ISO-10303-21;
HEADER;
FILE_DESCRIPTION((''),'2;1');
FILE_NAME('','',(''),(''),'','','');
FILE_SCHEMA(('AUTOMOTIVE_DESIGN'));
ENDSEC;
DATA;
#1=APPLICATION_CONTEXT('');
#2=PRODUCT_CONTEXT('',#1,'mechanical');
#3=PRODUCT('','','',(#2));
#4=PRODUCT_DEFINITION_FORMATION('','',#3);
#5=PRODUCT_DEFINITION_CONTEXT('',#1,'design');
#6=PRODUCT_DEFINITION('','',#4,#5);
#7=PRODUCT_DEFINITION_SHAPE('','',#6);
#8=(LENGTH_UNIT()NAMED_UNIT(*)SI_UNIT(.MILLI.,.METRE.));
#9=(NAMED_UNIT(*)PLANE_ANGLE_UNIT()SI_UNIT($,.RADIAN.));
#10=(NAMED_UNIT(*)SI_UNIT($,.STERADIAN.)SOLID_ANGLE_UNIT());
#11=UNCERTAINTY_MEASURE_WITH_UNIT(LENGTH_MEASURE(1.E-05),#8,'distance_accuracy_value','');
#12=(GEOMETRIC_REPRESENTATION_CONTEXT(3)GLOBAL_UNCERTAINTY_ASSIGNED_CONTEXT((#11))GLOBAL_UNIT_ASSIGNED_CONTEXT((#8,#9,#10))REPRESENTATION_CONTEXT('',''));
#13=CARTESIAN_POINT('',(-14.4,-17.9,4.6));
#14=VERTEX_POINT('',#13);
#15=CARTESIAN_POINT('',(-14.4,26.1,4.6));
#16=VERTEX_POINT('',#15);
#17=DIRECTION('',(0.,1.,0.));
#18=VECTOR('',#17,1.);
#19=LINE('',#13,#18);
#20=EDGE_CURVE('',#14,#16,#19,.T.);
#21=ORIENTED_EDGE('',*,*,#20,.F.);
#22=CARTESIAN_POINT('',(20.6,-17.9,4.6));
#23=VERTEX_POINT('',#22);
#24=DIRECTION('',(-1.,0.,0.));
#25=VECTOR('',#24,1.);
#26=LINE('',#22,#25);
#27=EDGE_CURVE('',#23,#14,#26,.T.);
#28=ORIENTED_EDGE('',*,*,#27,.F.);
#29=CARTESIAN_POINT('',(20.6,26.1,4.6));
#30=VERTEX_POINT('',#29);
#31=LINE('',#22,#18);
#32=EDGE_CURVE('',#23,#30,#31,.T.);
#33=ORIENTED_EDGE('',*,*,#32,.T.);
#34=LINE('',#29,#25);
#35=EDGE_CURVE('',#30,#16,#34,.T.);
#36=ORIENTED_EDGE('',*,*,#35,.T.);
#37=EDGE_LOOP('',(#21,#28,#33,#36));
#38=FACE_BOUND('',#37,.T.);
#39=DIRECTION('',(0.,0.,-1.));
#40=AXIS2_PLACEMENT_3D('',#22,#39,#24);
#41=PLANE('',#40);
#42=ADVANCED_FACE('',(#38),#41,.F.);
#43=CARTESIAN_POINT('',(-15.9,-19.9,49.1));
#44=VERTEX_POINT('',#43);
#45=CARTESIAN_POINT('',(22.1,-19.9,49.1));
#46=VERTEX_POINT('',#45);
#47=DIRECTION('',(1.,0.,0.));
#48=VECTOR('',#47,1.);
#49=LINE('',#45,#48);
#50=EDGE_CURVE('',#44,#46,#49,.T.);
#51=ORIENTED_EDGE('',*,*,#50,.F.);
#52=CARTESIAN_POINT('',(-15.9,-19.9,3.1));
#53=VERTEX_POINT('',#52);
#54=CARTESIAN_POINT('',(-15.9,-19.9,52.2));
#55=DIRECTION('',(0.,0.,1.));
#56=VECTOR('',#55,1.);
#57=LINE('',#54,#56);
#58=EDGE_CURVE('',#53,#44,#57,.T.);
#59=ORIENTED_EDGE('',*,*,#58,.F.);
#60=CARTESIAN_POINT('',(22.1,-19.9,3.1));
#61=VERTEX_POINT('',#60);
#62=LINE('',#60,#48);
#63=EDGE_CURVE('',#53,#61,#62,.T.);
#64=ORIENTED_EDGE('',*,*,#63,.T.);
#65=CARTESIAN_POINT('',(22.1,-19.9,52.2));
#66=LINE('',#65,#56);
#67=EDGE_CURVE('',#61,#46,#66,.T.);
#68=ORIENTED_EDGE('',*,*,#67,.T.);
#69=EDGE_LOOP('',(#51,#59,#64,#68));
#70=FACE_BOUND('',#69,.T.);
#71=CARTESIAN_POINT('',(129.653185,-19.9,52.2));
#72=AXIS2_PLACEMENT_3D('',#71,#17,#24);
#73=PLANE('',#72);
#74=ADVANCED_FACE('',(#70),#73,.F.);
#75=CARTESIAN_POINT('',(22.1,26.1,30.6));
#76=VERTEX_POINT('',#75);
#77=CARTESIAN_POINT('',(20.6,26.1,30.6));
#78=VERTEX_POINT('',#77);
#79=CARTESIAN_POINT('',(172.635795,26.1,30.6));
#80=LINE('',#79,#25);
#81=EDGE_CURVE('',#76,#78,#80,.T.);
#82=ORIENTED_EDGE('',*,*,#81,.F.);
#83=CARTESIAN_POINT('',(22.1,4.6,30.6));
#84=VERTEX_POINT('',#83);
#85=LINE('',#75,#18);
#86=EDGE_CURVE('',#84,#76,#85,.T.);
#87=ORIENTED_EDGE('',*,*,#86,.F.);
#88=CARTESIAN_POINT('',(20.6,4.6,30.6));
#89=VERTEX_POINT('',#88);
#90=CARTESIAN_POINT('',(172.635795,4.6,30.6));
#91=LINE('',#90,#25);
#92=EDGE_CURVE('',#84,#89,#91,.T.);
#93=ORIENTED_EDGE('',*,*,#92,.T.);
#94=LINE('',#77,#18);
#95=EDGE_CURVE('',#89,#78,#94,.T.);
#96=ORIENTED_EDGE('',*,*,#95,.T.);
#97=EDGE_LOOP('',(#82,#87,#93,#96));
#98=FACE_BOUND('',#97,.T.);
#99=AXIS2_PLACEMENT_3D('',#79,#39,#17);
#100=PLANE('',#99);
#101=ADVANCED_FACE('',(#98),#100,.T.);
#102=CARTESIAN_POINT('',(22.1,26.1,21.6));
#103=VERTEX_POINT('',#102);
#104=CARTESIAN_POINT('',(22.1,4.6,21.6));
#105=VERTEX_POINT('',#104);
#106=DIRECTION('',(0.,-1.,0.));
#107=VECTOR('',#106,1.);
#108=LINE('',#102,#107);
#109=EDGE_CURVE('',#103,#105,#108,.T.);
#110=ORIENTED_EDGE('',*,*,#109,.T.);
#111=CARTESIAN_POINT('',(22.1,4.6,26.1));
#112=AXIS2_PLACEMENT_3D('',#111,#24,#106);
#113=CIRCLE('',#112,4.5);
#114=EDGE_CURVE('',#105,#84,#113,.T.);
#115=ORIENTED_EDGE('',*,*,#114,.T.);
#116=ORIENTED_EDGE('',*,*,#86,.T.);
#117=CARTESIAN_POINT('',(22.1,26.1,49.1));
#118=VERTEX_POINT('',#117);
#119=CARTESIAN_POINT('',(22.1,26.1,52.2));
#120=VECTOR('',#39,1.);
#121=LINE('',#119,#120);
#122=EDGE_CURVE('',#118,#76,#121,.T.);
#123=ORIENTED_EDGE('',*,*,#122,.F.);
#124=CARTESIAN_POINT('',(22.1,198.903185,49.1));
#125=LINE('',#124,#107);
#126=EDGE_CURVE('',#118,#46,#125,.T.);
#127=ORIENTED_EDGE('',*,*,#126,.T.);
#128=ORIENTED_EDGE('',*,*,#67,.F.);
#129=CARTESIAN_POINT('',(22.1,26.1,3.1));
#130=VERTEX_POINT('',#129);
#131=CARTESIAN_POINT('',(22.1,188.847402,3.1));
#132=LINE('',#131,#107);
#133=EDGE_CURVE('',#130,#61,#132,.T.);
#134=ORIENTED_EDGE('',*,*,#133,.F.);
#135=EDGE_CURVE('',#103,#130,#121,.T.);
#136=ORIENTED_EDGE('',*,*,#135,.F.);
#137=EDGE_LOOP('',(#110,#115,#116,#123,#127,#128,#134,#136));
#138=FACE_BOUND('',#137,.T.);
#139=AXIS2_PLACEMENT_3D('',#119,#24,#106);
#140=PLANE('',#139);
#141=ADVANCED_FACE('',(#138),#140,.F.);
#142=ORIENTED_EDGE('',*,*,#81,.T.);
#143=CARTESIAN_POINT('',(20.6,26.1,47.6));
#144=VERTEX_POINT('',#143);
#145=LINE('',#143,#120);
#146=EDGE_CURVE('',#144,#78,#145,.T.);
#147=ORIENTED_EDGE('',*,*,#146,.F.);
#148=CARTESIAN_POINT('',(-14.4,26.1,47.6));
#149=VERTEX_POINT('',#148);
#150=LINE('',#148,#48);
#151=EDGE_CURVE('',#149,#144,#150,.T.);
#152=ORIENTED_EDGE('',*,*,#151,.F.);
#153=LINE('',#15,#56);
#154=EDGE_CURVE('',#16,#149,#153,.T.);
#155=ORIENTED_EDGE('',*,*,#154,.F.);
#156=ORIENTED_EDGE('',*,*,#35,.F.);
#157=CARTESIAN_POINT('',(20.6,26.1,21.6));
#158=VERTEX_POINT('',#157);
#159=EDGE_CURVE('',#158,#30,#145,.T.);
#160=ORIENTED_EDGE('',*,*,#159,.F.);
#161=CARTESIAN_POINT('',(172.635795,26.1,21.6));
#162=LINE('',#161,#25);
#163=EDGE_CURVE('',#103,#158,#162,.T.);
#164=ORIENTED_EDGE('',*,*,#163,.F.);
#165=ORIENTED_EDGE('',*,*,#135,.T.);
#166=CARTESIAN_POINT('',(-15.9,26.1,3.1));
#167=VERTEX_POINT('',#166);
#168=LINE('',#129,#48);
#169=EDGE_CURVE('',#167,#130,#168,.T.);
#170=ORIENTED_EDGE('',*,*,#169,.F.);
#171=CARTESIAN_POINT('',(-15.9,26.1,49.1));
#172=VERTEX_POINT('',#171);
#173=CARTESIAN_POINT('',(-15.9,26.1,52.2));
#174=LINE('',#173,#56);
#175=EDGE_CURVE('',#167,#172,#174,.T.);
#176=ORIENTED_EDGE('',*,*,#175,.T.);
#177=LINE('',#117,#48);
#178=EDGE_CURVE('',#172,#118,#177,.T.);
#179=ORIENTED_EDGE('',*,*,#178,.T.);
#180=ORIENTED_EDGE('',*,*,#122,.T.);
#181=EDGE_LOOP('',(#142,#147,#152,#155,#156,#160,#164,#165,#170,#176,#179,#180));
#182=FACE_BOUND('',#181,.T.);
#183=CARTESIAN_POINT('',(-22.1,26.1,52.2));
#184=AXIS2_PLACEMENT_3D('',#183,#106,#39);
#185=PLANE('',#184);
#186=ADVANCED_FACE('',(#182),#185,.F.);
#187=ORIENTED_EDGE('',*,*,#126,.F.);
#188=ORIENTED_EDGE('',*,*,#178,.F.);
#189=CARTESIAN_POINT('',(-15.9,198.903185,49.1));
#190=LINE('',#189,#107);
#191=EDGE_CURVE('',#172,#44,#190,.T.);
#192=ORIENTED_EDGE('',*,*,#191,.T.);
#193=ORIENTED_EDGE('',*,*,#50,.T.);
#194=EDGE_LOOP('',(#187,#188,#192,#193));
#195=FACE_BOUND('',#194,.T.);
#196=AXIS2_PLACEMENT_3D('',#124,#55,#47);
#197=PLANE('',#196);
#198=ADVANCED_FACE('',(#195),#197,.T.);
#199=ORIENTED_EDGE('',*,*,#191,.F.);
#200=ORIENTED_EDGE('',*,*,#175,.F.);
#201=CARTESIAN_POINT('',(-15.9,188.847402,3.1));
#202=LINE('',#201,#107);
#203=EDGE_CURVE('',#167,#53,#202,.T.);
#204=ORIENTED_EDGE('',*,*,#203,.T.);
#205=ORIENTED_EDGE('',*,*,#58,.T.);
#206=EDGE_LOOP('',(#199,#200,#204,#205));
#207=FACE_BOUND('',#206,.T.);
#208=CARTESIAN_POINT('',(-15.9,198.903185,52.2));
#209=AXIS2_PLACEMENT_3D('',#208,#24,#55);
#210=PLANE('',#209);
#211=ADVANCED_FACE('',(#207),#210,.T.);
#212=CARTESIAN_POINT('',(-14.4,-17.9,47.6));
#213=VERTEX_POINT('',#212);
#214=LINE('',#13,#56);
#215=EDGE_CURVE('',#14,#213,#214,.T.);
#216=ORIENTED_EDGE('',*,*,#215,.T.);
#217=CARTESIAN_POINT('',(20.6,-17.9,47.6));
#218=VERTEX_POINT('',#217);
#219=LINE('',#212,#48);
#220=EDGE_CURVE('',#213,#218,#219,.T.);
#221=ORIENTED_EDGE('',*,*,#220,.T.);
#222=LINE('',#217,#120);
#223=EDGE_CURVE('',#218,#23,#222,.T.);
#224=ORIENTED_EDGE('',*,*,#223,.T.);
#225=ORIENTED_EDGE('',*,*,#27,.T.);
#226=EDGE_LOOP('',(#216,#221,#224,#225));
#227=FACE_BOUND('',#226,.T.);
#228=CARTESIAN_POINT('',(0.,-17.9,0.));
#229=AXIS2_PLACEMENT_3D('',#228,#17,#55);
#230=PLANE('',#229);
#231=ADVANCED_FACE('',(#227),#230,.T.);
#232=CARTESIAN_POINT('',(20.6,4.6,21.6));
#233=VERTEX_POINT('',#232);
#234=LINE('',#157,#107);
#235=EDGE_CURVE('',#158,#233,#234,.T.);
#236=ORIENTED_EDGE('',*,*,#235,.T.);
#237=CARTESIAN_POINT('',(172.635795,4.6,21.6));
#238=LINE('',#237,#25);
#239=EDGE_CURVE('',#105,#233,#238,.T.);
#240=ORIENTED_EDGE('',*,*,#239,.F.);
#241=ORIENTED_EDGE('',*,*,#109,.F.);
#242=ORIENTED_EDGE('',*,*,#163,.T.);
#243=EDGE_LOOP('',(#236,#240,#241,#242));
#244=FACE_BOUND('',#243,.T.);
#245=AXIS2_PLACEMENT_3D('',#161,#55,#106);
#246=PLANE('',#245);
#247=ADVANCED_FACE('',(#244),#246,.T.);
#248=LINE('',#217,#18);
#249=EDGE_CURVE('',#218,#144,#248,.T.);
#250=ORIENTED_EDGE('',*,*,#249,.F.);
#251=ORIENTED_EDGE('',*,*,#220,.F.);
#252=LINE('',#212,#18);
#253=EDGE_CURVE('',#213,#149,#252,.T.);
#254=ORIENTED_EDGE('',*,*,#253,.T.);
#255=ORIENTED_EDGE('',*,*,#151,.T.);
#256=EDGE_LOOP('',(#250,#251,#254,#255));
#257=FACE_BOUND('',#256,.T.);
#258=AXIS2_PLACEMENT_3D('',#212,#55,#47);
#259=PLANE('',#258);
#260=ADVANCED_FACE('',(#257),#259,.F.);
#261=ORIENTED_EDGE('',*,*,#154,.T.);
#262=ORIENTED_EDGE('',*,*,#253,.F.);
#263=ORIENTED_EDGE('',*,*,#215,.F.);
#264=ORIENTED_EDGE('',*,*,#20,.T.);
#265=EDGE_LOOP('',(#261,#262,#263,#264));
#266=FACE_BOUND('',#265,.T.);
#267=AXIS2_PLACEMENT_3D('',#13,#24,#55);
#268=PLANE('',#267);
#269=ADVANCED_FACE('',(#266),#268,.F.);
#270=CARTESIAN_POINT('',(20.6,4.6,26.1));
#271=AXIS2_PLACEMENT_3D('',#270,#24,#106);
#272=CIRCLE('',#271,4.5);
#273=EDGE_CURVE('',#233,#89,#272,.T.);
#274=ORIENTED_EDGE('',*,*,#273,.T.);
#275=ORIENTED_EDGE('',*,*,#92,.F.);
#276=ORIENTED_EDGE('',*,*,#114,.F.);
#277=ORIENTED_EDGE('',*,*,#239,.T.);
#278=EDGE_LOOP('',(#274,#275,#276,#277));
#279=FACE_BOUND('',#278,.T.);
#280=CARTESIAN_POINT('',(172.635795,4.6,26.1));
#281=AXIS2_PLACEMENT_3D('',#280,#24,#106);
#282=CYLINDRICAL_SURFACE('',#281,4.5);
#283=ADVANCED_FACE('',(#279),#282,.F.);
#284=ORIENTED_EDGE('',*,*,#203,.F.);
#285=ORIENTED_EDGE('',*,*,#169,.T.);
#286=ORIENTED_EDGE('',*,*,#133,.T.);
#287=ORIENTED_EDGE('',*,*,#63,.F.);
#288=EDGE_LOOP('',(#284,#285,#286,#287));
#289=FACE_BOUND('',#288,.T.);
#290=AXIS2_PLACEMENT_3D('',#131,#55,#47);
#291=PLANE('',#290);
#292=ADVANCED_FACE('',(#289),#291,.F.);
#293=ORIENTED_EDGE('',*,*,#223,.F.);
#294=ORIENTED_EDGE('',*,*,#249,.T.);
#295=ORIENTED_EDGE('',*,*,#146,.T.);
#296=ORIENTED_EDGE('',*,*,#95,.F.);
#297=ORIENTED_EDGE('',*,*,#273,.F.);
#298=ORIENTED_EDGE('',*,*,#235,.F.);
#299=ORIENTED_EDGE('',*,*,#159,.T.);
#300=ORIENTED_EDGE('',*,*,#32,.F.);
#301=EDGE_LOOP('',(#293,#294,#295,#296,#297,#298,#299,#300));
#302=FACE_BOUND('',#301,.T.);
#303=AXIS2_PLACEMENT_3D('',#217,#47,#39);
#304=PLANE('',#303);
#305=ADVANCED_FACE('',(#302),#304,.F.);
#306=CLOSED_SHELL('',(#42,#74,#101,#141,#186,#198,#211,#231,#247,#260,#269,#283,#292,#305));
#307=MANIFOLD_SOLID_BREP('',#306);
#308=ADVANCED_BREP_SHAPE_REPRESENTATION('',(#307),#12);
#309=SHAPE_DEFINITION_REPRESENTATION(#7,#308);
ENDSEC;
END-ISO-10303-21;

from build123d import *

# Parameters (mm, degrees)
ESQUISSE1_W                   = 44.2
ESQUISSE1_H                   = 52.2
BOSS_EXTRU_1_DEPTH            = 52.2
ENL_V_MAT_EXTRU_2_DEPTH       = 74.209903702
ENL_V_MAT_EXTRU_2_DEPTH_BACK  = 44.2
ENL_V_MAT_EXTRU_3_DEPTH       = 74.209903702
ENL_V_MAT_EXTRU_3_DEPTH_BACK  = 44.2
ENL_V_MAT_EXTRU_4_DEPTH       = 78.059003368
ENL_V_MAT_EXTRU_4_DEPTH_BACK  = 46
ENL_V_MAT_EXTRU_5_DEPTH       = 78.059003368
ENL_V_MAT_EXTRU_5_DEPTH_BACK  = 46
ENL_V_MAT_EXTRU_7_DEPTH       = 45.550224466
ENL_V_MAT_EXTRU_7_DEPTH_BACK  = 45.550224466
ENL_V_MAT_EXTRU_8_DEPTH       = 78.059003368
ENL_V_MAT_EXTRU_8_DEPTH_BACK  = 46
ENL_V_MAT_EXTRU_9_DEPTH       = 75.993733072
ENL_V_MAT_EXTRU_9_DEPTH_BACK  = 46
ESQUISSE13_W                  = 35
ESQUISSE13_H                  = 43
ENL_V_MAT_EXTRU_10_DEPTH      = 44
ENL_V_MAT_EXTRU_11_DEPTH      = 72.032809321
ENL_V_MAT_EXTRU_11_DEPTH_BACK = 1.5
ENL_V_MAT_EXTRU_13_DEPTH      = 72.032809321
ENL_V_MAT_EXTRU_13_DEPTH_BACK = 38
ENL_V_MAT_EXTRU_15_DEPTH      = 71.818217995
ENL_V_MAT_EXTRU_15_DEPTH_BACK = 46


with BuildPart() as part:
    # Esquisse1 → Boss.-Extru.1 (new body)
    with BuildSketch(Plane.XY):
        Rectangle(ESQUISSE1_W, ESQUISSE1_H)
    extrude(amount=BOSS_EXTRU_1_DEPTH)

    # Esquisse2 → Enlèv. mat.-Extru.2 (cut, two sides: drawn at the far end of the back side and taken through both)
    with BuildSketch(Plane(origin=(22.1, 0, 0), x_dir=(0, 0, -1), z_dir=(1, 0, 0)).offset(-ENL_V_MAT_EXTRU_2_DEPTH_BACK)):
        Polygon((-201.352290675, -19.9), (-52.2, -19.9), (-28.55, -19.9), (-28.55, -21.45), (-32.25, -21.45), (-32.25, -22.45), (-28.745559959, -26.1), (74.553898465, -133.690091099), (-39.180744024, -409.461834307), (-315.086933163, -295.671743208), align=None)
    extrude(amount=ENL_V_MAT_EXTRU_2_DEPTH + ENL_V_MAT_EXTRU_2_DEPTH_BACK, mode=Mode.SUBTRACT)

    # Esquisse3 → Enlèv. mat.-Extru.3 (cut, two sides: drawn at the far end of the back side and taken through both)
    with BuildSketch(Plane(origin=(22.1, 0, 0), x_dir=(0, 0, -1), z_dir=(1, 0, 0)).offset(-ENL_V_MAT_EXTRU_3_DEPTH_BACK)):
        Polygon((149.152290675, -19.9), (0, -19.9), (-23.65, -19.9), (-23.65, -21.45), (-19.95, -21.45), (-19.95, -22.45), (-23.454440041, -26.1), (-126.753898465, -133.690091099), (-13.019255976, -409.461834307), (262.886933163, -295.671743208), align=None)
    extrude(amount=ENL_V_MAT_EXTRU_3_DEPTH + ENL_V_MAT_EXTRU_3_DEPTH_BACK, mode=Mode.SUBTRACT)

    # Esquisse4 → Enlèv. mat.-Extru.4 (cut, two sides: drawn at the far end of the back side and taken through both)
    with BuildSketch(Plane(origin=(0, 26.1, 0), x_dir=(1, 0, 0), z_dir=(0, 1, 0)).offset(-ENL_V_MAT_EXTRU_4_DEPTH_BACK)):
        Polygon((-15.9, -191.333109619), (-15.9, -52.2), (-15.9, -28.55), (-17.45, -28.55), (-17.45, -32.25), (-18.45, -32.25), (-22.1, -28.745559959), (-122.462816227, 67.614843274), (-379.791464965, -38.281593439), (-273.228648738, -297.229546332), align=None)
    extrude(amount=ENL_V_MAT_EXTRU_4_DEPTH + ENL_V_MAT_EXTRU_4_DEPTH_BACK, mode=Mode.SUBTRACT)

    # Esquisse5 → Enlèv. mat.-Extru.5 (cut, two sides: drawn at the far end of the back side and taken through both)
    with BuildSketch(Plane(origin=(0, 26.1, 0), x_dir=(1, 0, 0), z_dir=(0, 1, 0)).offset(-ENL_V_MAT_EXTRU_5_DEPTH_BACK)):
        Polygon((-15.9, 139.133109619), (-15.9, 0), (-15.9, -23.65), (-17.45, -23.65), (-17.45, -19.95), (-18.45, -19.95), (-22.1, -23.454440041), (-122.462816228, -119.814843274), (-379.791464965, -13.918406561), (-273.228648738, 245.029546332), align=None)
    extrude(amount=ENL_V_MAT_EXTRU_5_DEPTH + ENL_V_MAT_EXTRU_5_DEPTH_BACK, mode=Mode.SUBTRACT)

    # Esquisse6 → Enlèv. mat.-Extru.7 (cut, two sides: drawn at the far end of the back side and taken through both)
    with BuildSketch(Plane.XY.offset(28.55).offset(-ENL_V_MAT_EXTRU_7_DEPTH_BACK)):
        Polygon((-161.22284167, -19.9), (-22.1, -19.9), (-15.9, -19.9), (-15.9, -26.093649616), (-15.9, -165.216491285), (-212.645110561, -361.97019968), (-357.967952231, -216.653708395), align=None)
    extrude(amount=ENL_V_MAT_EXTRU_7_DEPTH + ENL_V_MAT_EXTRU_7_DEPTH_BACK, mode=Mode.SUBTRACT)

    # Esquisse11 → Enlèv. mat.-Extru.8 (cut, two sides: drawn at the far end of the back side and taken through both)
    with BuildSketch(Plane(origin=(0, 26.1, 0), x_dir=(1, 0, 0), z_dir=(0, 1, 0)).offset(-ENL_V_MAT_EXTRU_8_DEPTH_BACK)):
        Polygon((164.227968273, -49.1), (22.1, -49.1), (-15.9, -49.1), (-158.027968273, -49.1), (-158.027968273, -333.355936546), (164.227968273, -333.355936546), align=None)
    extrude(amount=ENL_V_MAT_EXTRU_8_DEPTH + ENL_V_MAT_EXTRU_8_DEPTH_BACK, mode=Mode.SUBTRACT)

    # Esquisse12 → Enlèv. mat.-Extru.9 (cut, two sides: drawn at the far end of the back side and taken through both)
    with BuildSketch(Plane(origin=(0, 26.1, 0), x_dir=(1, 0, 0), z_dir=(0, 1, 0)).offset(-ENL_V_MAT_EXTRU_9_DEPTH_BACK)):
        Polygon((159.687460199, -3.1), (22.1, -3.1), (-15.9, -3.1), (-153.487460199, -3.1), (-153.487460199, 272.074920398), (159.687460199, 272.074920398), align=None)
    extrude(amount=ENL_V_MAT_EXTRU_9_DEPTH + ENL_V_MAT_EXTRU_9_DEPTH_BACK, mode=Mode.SUBTRACT)

    # Esquisse13 → Enlèv. mat.-Extru.10 (cut)
    with BuildSketch(Plane(origin=(0, 26.1, 0), x_dir=(1, 0, 0), z_dir=(0, 1, 0))):
        with Locations((3.1, -26.1)):
            Rectangle(ESQUISSE13_W, ESQUISSE13_H)
    extrude(amount=-ENL_V_MAT_EXTRU_10_DEPTH, mode=Mode.SUBTRACT)

    # Esquisse14 → Enlèv. mat.-Extru.11 (cut, two sides: drawn at the far end of the back side and taken through both)
    with BuildSketch(Plane(origin=(22.1, 0, 0), x_dir=(0, 0, -1), z_dir=(1, 0, 0)).offset(-ENL_V_MAT_EXTRU_11_DEPTH_BACK)):
        with BuildLine():
            Line((-21.6, 4.6), (-21.6, 26.1))
            Line((-21.6, 26.1), (-30.6, 26.1))
            Line((-30.6, 26.1), (-30.6, 4.6))
            ThreePointArc((-30.6, 4.6), (-26.1, 0.1), (-21.6, 4.6))
        make_face()
    extrude(amount=ENL_V_MAT_EXTRU_11_DEPTH + ENL_V_MAT_EXTRU_11_DEPTH_BACK, mode=Mode.SUBTRACT)

    # Esquisse15 → Enlèv. mat.-Extru.13 (cut, two sides: drawn at the far end of the back side and taken through both)
    with BuildSketch(Plane(origin=(22.1, 0, 0), x_dir=(0, 0, -1), z_dir=(1, 0, 0)).offset(-ENL_V_MAT_EXTRU_13_DEPTH_BACK)):
        Polygon((-143.691856556, -19.9), (-28.55, -19.9), (-23.65, -19.9), (91.491856556, -19.9), (91.491856556, -250.183713112), (-143.691856556, -250.183713112), align=None)
    extrude(amount=ENL_V_MAT_EXTRU_13_DEPTH + ENL_V_MAT_EXTRU_13_DEPTH_BACK, mode=Mode.SUBTRACT)

    # Esquisse16 → Enlèv. mat.-Extru.15 (cut, two sides: drawn at the far end of the back side and taken through both)
    with BuildSketch(Plane(origin=(0, -19.9, 0), x_dir=(-1, 0, 0), z_dir=(0, -1, 0)).offset(-ENL_V_MAT_EXTRU_15_DEPTH_BACK)):
        Polygon((15.9, -130.020268394), (15.9, -28.55), (15.9, -23.65), (15.9, 77.820268394), (218.840536787, 77.820268394), (218.840536787, -130.020268394), align=None)
    extrude(amount=ENL_V_MAT_EXTRU_15_DEPTH + ENL_V_MAT_EXTRU_15_DEPTH_BACK, mode=Mode.SUBTRACT)


solid = part.part
